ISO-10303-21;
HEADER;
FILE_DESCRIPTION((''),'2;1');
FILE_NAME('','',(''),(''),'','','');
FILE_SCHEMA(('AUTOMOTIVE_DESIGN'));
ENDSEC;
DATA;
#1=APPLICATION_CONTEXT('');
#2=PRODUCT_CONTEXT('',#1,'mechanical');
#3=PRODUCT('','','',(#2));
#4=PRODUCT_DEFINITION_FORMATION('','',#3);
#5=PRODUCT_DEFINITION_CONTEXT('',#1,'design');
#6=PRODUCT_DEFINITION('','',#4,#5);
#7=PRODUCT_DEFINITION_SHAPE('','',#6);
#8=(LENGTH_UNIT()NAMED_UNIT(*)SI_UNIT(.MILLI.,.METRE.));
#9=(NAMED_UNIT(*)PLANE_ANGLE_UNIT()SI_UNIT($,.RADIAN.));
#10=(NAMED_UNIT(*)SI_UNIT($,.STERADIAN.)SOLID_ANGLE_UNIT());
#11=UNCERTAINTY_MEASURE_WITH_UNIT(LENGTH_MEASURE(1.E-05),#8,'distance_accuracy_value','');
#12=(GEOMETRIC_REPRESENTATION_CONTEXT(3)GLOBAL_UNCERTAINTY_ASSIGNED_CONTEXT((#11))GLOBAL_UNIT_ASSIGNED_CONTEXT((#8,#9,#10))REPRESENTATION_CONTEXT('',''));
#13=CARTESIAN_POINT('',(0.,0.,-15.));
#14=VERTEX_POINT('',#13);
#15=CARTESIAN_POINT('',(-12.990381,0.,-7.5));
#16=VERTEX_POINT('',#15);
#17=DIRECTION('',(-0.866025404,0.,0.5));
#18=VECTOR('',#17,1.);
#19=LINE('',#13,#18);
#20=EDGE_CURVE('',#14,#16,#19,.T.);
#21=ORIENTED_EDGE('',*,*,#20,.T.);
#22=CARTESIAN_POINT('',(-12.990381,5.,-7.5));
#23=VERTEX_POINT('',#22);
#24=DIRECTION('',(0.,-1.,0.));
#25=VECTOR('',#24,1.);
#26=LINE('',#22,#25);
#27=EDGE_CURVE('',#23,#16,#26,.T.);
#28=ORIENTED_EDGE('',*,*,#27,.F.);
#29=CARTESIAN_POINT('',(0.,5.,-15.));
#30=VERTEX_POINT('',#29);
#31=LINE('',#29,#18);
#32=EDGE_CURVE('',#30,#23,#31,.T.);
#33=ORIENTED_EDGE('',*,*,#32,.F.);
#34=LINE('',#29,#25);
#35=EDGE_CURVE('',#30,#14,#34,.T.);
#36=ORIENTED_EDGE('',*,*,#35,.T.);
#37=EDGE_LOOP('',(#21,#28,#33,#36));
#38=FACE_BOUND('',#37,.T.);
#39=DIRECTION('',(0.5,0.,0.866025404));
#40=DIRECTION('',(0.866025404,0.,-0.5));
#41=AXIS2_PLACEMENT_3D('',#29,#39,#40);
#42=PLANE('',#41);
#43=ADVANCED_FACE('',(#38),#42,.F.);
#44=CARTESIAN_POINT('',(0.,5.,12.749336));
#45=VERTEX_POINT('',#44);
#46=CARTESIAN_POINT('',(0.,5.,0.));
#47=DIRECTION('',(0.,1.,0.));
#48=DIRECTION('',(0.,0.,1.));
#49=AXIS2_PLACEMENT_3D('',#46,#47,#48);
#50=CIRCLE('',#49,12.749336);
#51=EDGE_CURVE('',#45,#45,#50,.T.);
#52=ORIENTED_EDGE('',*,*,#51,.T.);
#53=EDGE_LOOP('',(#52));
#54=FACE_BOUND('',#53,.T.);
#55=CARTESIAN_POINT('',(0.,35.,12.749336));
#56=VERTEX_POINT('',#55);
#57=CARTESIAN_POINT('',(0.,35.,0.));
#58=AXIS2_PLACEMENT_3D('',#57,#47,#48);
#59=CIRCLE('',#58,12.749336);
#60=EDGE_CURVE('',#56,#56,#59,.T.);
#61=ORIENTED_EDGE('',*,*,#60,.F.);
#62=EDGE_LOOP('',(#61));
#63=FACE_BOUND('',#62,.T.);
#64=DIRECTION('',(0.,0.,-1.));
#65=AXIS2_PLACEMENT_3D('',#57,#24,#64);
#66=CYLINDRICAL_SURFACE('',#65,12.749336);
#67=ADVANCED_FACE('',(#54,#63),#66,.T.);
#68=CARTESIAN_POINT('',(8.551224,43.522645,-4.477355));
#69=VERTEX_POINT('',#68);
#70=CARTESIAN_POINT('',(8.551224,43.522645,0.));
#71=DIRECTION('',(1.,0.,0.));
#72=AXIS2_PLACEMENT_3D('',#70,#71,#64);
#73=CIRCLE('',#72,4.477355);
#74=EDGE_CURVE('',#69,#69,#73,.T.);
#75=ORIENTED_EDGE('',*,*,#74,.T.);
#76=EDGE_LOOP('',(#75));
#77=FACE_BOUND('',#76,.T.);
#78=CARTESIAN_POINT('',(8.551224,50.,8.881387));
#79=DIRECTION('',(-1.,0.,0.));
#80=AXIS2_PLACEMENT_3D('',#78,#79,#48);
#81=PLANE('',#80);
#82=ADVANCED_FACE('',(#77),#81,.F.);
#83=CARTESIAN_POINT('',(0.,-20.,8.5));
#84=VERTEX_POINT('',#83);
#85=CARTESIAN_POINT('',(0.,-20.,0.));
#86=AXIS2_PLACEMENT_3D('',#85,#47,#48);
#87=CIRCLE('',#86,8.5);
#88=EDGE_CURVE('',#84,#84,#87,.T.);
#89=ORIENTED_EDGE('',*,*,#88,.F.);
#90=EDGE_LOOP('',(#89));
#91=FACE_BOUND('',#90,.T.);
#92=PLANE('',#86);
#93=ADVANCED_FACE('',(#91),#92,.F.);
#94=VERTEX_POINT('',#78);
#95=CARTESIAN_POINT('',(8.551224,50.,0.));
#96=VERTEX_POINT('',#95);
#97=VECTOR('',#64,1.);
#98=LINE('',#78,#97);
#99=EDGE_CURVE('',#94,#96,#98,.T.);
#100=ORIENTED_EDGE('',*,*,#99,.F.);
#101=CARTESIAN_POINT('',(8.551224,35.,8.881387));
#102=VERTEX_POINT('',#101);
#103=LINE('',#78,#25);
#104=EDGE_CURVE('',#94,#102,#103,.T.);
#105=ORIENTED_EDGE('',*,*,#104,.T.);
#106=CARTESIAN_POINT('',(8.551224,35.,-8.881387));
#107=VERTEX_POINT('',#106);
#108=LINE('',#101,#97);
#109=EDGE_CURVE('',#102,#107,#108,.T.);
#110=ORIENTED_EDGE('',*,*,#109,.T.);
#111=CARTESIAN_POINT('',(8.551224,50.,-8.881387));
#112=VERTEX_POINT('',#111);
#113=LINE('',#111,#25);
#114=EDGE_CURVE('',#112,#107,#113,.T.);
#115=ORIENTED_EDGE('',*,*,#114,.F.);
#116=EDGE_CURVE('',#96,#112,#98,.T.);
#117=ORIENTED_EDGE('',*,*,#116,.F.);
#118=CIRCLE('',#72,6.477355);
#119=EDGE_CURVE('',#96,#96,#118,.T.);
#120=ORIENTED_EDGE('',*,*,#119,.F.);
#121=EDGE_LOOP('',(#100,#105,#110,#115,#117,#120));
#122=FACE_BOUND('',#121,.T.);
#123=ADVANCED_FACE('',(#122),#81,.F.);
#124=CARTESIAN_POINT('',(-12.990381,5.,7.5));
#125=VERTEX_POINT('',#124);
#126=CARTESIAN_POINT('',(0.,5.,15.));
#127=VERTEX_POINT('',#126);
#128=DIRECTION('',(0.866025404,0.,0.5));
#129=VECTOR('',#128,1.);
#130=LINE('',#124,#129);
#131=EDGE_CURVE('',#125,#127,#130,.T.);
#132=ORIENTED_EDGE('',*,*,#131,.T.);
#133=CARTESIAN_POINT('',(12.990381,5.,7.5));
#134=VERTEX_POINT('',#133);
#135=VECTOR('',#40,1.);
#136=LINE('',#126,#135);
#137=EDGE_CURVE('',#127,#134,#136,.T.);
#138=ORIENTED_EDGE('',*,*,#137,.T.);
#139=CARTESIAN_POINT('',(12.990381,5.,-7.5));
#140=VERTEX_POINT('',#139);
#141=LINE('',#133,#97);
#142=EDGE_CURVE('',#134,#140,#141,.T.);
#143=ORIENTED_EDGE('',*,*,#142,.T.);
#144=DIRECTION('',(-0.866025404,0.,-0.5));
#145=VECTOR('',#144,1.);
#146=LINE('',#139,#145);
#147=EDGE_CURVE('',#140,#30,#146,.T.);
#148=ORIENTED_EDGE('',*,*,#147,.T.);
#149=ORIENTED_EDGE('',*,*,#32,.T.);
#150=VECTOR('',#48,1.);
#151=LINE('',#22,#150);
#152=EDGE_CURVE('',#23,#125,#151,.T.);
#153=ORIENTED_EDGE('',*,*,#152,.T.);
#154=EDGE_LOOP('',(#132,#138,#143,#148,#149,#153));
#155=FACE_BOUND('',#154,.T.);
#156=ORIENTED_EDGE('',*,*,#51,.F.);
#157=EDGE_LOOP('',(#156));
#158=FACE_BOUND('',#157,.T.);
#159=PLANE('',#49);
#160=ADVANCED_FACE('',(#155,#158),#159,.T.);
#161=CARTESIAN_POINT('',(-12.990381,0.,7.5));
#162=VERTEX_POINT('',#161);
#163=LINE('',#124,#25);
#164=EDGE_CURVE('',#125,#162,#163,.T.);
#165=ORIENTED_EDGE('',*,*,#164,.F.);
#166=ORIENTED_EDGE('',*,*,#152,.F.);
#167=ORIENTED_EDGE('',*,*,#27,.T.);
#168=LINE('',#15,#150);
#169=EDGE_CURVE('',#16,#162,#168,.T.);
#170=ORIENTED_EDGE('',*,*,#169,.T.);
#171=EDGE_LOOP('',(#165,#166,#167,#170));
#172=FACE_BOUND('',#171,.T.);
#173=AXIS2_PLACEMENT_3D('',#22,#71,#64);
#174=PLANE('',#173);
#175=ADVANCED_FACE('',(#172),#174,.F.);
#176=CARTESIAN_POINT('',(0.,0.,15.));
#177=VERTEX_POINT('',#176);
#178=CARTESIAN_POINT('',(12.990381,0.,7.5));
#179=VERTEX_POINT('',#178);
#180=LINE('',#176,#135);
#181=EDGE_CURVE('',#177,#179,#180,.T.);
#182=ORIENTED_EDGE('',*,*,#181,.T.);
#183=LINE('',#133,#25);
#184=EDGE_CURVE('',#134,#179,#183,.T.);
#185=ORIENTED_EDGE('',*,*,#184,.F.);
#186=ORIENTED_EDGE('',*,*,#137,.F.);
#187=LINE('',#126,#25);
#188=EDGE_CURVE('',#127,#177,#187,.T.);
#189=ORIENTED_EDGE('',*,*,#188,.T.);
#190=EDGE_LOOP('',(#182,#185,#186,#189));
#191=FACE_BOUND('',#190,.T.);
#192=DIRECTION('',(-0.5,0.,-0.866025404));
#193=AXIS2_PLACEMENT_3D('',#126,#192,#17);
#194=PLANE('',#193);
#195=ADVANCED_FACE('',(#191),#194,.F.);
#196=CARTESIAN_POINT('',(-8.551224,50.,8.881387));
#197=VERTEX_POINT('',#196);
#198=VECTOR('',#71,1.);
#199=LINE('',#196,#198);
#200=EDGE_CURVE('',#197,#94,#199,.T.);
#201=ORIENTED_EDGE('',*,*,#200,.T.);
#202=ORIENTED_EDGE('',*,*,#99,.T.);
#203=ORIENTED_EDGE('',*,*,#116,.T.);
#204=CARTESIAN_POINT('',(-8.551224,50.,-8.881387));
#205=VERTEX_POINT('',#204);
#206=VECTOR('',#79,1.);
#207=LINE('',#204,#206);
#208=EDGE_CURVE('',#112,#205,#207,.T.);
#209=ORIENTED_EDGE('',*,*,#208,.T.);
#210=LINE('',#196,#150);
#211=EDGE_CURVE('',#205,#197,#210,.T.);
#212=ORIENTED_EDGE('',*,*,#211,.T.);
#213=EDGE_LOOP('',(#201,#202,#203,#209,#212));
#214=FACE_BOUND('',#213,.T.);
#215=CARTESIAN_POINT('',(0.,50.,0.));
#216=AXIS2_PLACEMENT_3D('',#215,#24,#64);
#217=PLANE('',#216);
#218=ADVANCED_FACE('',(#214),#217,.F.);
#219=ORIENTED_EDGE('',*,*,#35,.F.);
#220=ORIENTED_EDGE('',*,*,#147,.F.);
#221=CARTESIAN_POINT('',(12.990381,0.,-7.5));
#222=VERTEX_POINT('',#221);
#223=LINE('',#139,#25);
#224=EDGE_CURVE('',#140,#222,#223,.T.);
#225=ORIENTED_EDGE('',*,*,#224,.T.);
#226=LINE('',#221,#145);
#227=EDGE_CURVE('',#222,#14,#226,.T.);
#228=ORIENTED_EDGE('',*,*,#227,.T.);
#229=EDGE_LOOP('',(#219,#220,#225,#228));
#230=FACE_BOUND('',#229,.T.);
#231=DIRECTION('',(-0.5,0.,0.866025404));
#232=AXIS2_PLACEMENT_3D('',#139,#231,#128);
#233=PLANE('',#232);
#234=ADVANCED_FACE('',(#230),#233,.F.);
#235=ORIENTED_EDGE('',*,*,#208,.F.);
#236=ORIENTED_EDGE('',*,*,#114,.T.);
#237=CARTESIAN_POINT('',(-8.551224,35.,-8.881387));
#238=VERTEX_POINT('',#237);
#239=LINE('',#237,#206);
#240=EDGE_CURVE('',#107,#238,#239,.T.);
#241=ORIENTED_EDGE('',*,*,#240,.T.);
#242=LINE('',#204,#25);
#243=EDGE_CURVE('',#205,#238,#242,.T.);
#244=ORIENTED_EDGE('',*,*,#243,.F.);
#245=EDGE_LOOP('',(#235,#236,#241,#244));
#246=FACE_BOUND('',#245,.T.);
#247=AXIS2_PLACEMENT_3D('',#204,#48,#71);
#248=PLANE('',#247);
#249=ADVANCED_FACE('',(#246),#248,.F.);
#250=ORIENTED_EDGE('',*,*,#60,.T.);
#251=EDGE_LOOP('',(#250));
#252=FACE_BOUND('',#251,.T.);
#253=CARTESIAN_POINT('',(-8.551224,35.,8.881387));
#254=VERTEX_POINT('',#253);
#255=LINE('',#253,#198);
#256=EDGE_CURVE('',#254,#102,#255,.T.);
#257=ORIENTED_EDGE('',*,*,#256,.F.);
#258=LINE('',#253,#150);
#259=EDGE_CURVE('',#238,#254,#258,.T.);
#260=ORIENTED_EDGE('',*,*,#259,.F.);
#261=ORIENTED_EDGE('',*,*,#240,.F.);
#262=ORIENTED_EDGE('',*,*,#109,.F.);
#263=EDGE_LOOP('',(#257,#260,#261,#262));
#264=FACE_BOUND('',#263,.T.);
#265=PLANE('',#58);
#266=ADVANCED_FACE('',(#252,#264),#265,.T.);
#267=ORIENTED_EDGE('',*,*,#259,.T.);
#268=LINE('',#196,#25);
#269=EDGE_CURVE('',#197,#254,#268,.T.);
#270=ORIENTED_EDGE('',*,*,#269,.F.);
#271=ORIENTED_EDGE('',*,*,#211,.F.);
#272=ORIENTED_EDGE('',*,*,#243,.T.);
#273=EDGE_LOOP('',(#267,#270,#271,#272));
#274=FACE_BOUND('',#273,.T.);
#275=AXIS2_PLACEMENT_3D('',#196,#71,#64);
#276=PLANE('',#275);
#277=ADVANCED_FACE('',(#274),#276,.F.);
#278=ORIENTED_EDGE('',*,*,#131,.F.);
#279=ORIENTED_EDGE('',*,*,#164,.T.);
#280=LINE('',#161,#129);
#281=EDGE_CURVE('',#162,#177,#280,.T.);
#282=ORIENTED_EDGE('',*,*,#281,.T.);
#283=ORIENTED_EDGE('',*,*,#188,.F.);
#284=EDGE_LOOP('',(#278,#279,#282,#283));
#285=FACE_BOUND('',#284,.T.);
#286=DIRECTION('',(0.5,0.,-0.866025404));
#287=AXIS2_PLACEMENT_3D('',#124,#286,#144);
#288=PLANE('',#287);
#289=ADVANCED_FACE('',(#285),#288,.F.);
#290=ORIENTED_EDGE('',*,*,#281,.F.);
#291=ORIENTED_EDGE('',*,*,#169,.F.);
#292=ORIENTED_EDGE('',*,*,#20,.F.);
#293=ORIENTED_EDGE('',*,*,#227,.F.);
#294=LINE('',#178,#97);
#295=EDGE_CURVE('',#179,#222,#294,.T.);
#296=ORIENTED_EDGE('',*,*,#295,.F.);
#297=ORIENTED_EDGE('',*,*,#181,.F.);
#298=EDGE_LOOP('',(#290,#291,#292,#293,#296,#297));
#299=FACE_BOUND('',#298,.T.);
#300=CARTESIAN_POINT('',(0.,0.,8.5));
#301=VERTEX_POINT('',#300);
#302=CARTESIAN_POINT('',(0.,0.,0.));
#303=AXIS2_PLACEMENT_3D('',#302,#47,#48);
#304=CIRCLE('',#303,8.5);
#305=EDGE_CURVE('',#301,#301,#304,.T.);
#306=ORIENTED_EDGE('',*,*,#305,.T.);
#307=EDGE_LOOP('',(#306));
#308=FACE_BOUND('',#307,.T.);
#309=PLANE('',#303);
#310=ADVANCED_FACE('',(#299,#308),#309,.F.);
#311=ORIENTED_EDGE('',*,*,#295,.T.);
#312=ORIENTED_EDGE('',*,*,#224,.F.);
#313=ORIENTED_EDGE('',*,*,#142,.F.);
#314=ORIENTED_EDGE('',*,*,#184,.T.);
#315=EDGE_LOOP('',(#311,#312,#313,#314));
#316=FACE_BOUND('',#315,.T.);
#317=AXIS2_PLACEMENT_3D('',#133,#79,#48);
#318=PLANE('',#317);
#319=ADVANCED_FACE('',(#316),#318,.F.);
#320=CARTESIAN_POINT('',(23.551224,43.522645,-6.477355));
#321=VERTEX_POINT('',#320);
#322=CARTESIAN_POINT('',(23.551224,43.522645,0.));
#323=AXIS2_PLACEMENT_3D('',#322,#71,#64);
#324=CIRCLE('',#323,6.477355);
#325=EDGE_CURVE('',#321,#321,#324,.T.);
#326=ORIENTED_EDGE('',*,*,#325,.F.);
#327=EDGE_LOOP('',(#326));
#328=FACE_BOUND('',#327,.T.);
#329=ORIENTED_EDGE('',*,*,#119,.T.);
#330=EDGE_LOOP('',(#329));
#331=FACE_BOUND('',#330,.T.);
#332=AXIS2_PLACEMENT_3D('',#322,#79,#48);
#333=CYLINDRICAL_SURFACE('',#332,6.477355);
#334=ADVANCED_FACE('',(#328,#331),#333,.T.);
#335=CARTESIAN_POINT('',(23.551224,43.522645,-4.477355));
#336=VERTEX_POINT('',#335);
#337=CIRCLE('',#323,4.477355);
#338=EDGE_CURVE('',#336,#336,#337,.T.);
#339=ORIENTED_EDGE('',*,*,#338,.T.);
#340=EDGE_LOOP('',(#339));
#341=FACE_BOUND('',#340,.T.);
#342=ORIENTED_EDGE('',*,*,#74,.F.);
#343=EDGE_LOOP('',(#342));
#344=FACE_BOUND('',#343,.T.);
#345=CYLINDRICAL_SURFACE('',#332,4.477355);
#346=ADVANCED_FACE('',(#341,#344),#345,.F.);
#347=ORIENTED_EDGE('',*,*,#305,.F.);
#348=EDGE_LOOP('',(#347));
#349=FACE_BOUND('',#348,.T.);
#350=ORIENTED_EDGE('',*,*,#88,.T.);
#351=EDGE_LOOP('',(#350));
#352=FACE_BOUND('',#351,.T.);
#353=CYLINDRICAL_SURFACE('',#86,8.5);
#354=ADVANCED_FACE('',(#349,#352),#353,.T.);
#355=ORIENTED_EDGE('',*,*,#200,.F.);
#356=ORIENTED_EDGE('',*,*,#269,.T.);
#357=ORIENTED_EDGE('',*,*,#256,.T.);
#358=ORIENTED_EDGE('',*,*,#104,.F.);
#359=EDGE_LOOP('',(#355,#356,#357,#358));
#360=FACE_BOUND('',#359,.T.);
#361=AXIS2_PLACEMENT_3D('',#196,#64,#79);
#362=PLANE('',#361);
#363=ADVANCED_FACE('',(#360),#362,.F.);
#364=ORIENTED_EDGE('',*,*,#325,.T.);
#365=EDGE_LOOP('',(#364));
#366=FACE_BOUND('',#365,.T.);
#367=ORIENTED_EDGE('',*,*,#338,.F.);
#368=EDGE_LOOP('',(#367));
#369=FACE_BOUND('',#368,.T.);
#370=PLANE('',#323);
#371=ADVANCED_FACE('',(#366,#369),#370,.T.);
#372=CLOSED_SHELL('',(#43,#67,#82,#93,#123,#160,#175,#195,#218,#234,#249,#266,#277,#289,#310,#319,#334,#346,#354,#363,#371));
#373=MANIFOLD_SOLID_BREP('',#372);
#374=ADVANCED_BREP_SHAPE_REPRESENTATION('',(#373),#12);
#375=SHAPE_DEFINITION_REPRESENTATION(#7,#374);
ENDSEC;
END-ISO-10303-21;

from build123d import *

# Parameters (mm, degrees)
SKETCH1_R           = 8.5
BOSS_EXTRUDE1_DEPTH = 20
BOSS_EXTRUDE2_DEPTH = 5
SKETCH3_R           = 12.74933558
BOSS_EXTRUDE3_DEPTH = 30
SKETCH4_W           = 17.102448084
SKETCH4_H           = 17.762774264
BOSS_EXTRUDE4_DEPTH = 15
SKETCH5_R           = 6.477355188
SKETCH5_R_2         = 4.477355188
EXTRUDE_THIN1_DEPTH = 15


with BuildPart() as part:
    # Sketch1 → Boss-Extrude1 (new body)
    with BuildSketch(Plane(origin=(0, 0, 0), x_dir=(1, 0, 0), z_dir=(0, 1, 0))):
        with Locations(Location((0, 0, 0), (0, 0, 270))):
            Circle(SKETCH1_R)
    extrude(amount=-BOSS_EXTRUDE1_DEPTH)

    # Sketch2 → Boss-Extrude2 (add)
    with BuildSketch(Plane(origin=(0, 0, 0), x_dir=(1, 0, 0), z_dir=(0, 1, 0))):
        Polygon((0, 15), (-12.990381057, 7.5), (-12.990381057, -7.5), (0, -15), (12.990381057, -7.5), (12.990381057, 7.5), align=None)
    extrude(amount=BOSS_EXTRUDE2_DEPTH)

    # Sketch3 → Boss-Extrude3 (add)
    with BuildSketch(Plane(origin=(0, 5, 0), x_dir=(1, 0, 0), z_dir=(0, 1, 0))):
        with Locations(Location((0, 0, 0), (0, 0, 270))):
            Circle(SKETCH3_R)
    extrude(amount=BOSS_EXTRUDE3_DEPTH)

    # Sketch4 → Boss-Extrude4 (add)
    with BuildSketch(Plane(origin=(0, 35, 0), x_dir=(1, 0, 0), z_dir=(0, 1, 0))):
        Rectangle(SKETCH4_W, SKETCH4_H)
    extrude(amount=BOSS_EXTRUDE4_DEPTH)

    # Sketch5 → Extrude-Thin1 (add)
    with BuildSketch(Plane(origin=(8.551224042, 0, 0), x_dir=(0, 0, -1), z_dir=(1, 0, 0))):
        with Locations((0, 43.522644812)):
            Circle(SKETCH5_R)
        with Locations((0, 43.522644812)):
            Circle(SKETCH5_R_2, mode=Mode.SUBTRACT)
    extrude(amount=EXTRUDE_THIN1_DEPTH)


solid = part.part
